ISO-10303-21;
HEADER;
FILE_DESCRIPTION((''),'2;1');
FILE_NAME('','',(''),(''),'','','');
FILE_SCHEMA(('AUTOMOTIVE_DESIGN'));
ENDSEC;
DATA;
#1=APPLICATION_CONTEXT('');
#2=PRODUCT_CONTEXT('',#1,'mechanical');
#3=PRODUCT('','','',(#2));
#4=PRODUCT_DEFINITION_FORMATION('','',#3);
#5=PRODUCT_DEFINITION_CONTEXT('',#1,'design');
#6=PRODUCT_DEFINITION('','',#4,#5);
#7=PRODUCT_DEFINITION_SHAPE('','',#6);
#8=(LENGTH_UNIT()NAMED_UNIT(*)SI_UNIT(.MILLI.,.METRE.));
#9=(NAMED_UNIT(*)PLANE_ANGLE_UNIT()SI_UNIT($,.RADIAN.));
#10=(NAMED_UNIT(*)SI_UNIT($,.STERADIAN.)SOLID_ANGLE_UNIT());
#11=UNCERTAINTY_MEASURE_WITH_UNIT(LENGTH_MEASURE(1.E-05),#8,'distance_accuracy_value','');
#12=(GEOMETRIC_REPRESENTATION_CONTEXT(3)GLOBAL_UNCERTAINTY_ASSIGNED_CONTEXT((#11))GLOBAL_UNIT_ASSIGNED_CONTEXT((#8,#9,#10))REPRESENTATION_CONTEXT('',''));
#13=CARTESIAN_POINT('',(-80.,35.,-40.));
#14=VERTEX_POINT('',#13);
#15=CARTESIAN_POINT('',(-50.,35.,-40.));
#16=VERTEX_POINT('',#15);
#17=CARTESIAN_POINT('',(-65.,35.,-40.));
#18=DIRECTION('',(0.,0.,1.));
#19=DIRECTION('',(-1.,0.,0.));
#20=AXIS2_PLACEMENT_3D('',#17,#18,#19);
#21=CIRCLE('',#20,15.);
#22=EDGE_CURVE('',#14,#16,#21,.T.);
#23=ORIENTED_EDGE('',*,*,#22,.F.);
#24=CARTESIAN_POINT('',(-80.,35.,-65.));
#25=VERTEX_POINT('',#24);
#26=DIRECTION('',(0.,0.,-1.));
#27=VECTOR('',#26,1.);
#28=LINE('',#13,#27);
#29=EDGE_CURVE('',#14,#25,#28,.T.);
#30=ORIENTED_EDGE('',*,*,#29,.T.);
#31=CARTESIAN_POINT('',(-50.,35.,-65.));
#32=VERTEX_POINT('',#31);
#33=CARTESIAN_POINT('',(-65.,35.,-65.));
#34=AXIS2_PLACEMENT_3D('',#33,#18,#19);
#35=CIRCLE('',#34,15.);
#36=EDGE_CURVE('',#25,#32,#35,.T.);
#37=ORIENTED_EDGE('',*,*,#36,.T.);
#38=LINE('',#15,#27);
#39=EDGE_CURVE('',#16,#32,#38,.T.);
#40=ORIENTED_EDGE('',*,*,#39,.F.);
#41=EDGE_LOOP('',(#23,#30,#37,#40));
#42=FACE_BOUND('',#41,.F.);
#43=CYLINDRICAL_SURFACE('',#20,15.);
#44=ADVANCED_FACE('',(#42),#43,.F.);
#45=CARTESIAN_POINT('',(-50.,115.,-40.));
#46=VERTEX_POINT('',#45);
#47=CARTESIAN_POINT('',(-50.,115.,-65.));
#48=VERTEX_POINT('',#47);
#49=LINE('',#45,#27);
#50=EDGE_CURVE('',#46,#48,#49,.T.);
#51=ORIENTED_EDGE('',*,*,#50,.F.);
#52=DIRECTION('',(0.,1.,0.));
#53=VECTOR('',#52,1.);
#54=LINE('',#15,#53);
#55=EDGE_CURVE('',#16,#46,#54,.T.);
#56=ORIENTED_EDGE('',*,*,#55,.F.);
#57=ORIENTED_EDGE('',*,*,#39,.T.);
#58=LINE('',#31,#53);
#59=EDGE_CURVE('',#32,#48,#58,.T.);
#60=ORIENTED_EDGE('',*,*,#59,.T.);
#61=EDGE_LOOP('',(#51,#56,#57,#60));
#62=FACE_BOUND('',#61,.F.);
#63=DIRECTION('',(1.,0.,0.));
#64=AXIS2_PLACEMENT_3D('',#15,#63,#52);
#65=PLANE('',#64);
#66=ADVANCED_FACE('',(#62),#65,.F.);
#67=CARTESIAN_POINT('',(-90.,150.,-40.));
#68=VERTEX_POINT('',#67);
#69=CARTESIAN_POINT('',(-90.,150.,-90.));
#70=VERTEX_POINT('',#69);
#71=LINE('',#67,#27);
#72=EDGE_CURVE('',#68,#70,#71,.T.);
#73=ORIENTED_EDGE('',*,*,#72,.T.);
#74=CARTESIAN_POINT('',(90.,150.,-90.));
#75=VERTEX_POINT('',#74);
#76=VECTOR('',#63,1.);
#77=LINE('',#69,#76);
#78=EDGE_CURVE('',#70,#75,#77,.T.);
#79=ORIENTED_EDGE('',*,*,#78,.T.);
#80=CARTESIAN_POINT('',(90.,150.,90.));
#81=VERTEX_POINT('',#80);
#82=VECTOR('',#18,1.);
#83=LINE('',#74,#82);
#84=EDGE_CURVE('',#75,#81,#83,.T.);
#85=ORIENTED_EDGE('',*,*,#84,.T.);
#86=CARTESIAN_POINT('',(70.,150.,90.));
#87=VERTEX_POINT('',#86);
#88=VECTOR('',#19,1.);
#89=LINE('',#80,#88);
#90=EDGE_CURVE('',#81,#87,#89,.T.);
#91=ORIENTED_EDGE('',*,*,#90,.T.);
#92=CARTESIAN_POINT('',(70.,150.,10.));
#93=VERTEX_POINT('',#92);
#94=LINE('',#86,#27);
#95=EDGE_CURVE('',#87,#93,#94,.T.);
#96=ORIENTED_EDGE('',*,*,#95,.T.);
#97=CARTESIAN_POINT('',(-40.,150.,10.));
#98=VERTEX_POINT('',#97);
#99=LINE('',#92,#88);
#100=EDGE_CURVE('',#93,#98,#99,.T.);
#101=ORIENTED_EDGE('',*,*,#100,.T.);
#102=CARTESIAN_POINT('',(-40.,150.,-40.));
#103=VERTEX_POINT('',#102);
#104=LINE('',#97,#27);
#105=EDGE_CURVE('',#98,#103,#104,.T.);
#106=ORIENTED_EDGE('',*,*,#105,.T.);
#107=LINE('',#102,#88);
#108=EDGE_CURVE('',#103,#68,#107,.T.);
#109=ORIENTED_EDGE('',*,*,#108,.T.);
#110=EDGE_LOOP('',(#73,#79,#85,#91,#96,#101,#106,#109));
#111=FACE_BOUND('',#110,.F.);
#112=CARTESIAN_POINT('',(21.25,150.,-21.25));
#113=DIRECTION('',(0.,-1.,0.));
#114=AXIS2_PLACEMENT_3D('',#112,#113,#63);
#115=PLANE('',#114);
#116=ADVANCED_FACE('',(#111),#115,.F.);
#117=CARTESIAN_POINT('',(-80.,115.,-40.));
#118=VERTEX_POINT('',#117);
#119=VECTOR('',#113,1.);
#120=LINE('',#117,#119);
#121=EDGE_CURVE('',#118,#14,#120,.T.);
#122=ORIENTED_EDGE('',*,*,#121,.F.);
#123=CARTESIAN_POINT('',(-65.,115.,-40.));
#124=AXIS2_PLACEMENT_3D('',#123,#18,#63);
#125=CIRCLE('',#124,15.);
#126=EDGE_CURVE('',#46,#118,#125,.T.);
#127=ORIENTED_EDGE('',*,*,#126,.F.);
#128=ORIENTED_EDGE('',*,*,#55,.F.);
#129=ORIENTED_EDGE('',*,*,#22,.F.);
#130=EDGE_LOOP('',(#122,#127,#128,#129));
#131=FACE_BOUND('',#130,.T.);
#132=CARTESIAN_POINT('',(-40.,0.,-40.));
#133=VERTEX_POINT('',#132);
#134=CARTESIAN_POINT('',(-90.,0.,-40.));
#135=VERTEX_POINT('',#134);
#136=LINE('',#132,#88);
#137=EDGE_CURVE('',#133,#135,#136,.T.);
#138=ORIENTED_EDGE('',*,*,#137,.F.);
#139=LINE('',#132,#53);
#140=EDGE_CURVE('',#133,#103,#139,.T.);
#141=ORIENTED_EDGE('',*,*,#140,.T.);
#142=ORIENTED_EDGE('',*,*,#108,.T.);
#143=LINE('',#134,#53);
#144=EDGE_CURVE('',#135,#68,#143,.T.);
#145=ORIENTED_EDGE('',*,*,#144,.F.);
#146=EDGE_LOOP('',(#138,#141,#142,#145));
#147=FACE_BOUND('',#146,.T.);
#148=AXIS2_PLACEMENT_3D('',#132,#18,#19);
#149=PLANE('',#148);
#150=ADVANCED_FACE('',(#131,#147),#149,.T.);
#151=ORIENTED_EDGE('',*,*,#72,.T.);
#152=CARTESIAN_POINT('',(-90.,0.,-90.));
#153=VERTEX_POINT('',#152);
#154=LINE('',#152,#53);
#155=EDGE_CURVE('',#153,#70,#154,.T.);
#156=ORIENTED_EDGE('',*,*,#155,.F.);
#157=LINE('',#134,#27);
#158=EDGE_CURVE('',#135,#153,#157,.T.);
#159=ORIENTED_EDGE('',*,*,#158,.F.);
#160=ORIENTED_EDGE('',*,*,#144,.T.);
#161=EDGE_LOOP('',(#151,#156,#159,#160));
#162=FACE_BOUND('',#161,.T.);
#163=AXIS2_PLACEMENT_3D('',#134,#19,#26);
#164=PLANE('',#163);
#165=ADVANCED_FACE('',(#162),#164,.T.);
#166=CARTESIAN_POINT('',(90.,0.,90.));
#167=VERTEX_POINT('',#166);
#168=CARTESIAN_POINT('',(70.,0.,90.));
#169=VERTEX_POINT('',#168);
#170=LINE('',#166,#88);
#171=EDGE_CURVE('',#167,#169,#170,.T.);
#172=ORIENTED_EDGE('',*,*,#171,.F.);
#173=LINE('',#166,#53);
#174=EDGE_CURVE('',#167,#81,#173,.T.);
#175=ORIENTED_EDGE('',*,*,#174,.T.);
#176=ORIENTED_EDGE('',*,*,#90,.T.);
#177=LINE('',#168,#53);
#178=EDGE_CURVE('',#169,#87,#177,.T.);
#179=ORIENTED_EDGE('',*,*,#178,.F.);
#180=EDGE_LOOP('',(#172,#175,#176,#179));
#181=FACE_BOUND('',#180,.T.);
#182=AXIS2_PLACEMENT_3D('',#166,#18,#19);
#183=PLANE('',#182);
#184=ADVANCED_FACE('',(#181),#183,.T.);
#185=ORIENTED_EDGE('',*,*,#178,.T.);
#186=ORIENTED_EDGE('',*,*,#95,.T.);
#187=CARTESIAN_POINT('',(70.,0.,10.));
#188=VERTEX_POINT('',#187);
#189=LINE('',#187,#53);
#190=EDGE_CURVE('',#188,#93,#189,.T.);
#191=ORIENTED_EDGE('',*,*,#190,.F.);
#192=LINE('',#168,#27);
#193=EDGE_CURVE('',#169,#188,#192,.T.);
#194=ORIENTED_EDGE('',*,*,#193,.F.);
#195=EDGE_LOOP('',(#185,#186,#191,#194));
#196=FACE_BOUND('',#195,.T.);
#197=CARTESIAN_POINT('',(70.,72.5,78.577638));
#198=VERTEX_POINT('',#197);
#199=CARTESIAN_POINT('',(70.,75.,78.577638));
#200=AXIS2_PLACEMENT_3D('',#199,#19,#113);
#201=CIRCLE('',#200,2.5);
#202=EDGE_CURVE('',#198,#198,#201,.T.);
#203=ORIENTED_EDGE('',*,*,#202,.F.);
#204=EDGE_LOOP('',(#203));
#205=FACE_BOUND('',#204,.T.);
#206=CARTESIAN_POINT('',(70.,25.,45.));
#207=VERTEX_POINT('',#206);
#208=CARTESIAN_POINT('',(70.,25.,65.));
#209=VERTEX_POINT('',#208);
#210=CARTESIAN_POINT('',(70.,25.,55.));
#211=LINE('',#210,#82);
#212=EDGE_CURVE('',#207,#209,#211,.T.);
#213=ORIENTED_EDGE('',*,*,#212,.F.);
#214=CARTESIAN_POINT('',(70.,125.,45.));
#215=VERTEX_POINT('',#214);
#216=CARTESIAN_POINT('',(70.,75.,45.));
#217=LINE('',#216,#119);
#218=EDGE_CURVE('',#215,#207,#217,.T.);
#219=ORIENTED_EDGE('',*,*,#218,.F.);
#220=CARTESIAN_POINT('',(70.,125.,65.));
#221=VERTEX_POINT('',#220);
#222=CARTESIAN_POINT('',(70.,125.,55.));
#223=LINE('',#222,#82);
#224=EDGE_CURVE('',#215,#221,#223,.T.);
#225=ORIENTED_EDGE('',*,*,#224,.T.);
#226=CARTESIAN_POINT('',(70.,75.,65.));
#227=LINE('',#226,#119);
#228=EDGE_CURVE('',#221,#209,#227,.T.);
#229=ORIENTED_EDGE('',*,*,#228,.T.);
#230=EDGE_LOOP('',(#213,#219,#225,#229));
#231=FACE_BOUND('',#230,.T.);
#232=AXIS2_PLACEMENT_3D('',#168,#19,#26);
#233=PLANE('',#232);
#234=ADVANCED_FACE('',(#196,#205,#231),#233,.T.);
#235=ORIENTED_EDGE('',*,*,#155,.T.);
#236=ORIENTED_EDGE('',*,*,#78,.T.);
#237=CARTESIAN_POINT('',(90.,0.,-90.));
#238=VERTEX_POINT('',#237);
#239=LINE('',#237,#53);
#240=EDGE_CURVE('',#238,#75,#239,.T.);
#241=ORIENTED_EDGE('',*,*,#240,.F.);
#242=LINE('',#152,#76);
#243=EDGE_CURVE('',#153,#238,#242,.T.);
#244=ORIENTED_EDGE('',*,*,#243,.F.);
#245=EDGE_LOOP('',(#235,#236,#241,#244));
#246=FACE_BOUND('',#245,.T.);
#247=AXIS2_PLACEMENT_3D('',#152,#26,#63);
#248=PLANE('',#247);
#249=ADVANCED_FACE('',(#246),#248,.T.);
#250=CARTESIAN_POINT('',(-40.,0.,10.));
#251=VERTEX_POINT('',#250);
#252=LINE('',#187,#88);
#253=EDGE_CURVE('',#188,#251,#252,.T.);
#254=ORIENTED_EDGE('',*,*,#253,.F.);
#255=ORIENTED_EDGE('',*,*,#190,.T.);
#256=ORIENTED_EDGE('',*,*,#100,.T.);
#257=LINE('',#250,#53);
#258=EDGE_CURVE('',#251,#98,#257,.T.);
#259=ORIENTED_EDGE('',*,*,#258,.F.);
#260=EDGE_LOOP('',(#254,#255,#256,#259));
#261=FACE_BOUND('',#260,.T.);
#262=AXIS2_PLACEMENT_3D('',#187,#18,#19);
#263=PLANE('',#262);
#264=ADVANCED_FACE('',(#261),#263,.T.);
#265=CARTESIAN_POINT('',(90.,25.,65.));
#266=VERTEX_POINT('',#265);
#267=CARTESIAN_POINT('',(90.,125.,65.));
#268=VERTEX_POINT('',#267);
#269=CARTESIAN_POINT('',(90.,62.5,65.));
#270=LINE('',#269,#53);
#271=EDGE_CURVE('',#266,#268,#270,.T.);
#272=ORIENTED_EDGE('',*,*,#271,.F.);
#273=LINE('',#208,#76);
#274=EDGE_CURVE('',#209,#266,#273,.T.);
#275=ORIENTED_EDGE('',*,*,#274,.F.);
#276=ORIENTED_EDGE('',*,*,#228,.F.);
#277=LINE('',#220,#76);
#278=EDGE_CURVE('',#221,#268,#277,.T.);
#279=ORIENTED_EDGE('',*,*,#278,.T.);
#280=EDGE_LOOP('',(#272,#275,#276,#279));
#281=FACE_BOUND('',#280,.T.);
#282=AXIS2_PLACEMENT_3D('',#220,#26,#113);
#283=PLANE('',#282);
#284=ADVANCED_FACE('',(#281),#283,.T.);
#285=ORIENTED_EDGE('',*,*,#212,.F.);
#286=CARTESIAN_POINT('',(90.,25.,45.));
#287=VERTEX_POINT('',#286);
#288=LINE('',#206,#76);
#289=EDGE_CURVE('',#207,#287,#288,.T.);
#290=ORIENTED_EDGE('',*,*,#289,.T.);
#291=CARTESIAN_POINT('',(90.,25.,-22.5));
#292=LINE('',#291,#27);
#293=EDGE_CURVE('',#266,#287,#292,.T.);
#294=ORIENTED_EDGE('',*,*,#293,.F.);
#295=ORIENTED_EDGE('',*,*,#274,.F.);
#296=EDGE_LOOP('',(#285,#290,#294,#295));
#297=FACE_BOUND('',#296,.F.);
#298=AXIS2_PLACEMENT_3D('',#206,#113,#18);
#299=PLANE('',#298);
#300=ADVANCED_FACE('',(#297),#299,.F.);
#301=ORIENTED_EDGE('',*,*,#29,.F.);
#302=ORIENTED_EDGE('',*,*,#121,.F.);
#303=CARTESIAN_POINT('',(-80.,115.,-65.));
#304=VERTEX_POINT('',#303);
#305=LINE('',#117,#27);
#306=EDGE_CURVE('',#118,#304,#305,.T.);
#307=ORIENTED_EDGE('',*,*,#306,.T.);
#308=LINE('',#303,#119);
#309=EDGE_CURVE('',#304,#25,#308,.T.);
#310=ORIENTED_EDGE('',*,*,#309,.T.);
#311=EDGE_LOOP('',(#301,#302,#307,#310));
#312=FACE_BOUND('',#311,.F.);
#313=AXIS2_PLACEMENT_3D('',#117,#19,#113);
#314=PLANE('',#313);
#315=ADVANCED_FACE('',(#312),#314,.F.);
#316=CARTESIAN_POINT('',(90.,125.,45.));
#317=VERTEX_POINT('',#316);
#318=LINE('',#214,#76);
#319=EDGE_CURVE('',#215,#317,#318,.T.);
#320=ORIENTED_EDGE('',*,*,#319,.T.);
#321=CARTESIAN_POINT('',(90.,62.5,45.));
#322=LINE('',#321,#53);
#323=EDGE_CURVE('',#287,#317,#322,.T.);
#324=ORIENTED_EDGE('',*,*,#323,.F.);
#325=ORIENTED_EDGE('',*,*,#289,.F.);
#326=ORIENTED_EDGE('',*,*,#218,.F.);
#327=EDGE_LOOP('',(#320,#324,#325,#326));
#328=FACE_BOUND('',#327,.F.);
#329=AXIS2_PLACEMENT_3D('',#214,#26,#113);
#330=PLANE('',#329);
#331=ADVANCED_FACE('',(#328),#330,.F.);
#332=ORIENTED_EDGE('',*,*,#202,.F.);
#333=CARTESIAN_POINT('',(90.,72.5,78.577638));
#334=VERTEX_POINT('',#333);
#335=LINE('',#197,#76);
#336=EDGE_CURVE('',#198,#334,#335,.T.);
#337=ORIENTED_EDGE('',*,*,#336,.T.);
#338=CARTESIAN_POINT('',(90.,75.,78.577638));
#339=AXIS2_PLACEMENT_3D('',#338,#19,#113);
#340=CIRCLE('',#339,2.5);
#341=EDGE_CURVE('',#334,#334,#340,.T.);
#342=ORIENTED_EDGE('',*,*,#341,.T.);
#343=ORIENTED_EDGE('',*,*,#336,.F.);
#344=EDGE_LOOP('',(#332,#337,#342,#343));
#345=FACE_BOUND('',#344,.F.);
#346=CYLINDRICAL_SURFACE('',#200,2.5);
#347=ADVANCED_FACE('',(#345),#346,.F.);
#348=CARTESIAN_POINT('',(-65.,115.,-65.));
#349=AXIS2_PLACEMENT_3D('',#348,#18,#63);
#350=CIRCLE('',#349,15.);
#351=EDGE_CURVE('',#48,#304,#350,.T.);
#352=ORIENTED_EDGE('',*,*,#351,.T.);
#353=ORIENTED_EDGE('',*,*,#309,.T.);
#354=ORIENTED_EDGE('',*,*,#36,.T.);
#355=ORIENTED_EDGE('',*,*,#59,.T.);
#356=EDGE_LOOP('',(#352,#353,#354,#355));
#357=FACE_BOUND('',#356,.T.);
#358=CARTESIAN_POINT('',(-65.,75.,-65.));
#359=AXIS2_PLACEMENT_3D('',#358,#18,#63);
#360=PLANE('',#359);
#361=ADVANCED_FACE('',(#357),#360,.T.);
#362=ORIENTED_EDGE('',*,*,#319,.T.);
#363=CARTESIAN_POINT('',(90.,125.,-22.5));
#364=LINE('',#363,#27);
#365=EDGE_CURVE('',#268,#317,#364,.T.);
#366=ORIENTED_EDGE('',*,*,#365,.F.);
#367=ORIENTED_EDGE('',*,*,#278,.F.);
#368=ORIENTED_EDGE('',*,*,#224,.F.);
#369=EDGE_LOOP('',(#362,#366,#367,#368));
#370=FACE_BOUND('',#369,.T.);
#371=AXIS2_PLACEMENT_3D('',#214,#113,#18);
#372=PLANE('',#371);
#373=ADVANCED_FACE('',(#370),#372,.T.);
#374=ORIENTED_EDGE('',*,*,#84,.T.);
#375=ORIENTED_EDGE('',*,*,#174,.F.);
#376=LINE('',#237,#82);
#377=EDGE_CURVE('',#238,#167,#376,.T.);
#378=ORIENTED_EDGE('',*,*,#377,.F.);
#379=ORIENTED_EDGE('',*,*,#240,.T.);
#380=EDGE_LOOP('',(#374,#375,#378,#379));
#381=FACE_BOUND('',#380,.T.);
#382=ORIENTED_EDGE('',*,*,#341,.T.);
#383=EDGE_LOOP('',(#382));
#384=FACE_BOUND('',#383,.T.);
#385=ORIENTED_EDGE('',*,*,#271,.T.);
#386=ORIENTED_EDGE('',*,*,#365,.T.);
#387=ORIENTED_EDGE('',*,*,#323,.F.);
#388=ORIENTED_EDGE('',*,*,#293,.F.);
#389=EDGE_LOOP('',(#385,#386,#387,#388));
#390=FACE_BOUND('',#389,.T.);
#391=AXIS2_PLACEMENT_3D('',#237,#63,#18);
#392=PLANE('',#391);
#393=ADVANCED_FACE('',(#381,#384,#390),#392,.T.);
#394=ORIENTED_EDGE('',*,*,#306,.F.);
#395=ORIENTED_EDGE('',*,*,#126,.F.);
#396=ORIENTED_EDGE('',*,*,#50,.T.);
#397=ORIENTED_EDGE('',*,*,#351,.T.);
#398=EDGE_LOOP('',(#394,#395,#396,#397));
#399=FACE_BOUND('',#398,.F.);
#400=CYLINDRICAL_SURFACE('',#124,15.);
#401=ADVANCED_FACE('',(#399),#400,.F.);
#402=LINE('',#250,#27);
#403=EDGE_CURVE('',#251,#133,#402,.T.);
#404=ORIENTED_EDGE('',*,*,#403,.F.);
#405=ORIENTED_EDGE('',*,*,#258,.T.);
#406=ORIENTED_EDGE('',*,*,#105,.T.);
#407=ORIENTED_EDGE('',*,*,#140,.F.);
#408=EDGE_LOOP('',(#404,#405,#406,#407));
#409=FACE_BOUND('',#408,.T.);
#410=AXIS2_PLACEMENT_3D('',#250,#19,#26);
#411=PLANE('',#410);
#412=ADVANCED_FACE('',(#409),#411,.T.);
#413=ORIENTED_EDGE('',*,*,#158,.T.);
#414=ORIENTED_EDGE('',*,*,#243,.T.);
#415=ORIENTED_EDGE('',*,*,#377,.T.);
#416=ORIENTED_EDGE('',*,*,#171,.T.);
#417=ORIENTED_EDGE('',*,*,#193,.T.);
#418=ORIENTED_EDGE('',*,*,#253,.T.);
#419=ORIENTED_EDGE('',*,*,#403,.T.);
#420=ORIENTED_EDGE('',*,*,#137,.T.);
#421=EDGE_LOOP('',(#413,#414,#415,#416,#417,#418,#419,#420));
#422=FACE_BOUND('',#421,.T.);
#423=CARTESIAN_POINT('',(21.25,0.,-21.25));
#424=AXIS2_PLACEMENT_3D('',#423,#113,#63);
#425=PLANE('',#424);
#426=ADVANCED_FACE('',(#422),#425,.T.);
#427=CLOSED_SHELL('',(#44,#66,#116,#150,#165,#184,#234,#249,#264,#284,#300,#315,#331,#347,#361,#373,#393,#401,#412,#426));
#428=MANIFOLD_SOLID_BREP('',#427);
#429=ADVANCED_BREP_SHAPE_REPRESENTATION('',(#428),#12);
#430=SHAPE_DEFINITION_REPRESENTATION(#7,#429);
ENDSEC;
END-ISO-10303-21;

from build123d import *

# Parameters (mm, degrees)
F1_DEPTH = 150
F2_R     = 2.5
F3_DEPTH = 20.001
F4_W     = 100
F4_H     = 20
F5_DEPTH = 20.001
F7_DEPTH = 25


with BuildPart() as f1:
    # F0 (on Front) → F1 (new body)
    with BuildSketch(Plane.XZ):
        Polygon((90, -90), (90, 90), (70, 90), (70, 10), (-40, 10), (-40, -40), (-90, -40), (-90, -90), align=None)
    extrude(amount=-F1_DEPTH)

    # F2 (on face) → F3 (cut, through all)
    with BuildSketch(Plane(origin=(70, 0, 0), x_dir=(0, -1, 0), z_dir=(-1, 0, 0))):
        with Locations((-75, 78.577638)):
            Circle(F2_R)
    extrude(amount=-F3_DEPTH, mode=Mode.SUBTRACT)

    # F4 (on face) → F5 (cut, through all)
    with BuildSketch(Plane(origin=(70, 0, 0), x_dir=(0, -1, 0), z_dir=(-1, 0, 0))):
        with Locations((-75, 55)):
            Rectangle(F4_W, F4_H)
    extrude(amount=-F5_DEPTH, mode=Mode.SUBTRACT)

    # F6 (on face) → F7 (cut)
    with BuildSketch(Plane.XY.offset(-40)):
        with BuildLine():
            Line((-50, 35), (-50, 115))
            ThreePointArc((-50, 115), (-65, 130), (-80, 115))
            Line((-80, 115), (-80, 35))
            ThreePointArc((-80, 35), (-65, 20), (-50, 35))
        make_face()
    extrude(amount=-F7_DEPTH, mode=Mode.SUBTRACT)


solid = f1.part
